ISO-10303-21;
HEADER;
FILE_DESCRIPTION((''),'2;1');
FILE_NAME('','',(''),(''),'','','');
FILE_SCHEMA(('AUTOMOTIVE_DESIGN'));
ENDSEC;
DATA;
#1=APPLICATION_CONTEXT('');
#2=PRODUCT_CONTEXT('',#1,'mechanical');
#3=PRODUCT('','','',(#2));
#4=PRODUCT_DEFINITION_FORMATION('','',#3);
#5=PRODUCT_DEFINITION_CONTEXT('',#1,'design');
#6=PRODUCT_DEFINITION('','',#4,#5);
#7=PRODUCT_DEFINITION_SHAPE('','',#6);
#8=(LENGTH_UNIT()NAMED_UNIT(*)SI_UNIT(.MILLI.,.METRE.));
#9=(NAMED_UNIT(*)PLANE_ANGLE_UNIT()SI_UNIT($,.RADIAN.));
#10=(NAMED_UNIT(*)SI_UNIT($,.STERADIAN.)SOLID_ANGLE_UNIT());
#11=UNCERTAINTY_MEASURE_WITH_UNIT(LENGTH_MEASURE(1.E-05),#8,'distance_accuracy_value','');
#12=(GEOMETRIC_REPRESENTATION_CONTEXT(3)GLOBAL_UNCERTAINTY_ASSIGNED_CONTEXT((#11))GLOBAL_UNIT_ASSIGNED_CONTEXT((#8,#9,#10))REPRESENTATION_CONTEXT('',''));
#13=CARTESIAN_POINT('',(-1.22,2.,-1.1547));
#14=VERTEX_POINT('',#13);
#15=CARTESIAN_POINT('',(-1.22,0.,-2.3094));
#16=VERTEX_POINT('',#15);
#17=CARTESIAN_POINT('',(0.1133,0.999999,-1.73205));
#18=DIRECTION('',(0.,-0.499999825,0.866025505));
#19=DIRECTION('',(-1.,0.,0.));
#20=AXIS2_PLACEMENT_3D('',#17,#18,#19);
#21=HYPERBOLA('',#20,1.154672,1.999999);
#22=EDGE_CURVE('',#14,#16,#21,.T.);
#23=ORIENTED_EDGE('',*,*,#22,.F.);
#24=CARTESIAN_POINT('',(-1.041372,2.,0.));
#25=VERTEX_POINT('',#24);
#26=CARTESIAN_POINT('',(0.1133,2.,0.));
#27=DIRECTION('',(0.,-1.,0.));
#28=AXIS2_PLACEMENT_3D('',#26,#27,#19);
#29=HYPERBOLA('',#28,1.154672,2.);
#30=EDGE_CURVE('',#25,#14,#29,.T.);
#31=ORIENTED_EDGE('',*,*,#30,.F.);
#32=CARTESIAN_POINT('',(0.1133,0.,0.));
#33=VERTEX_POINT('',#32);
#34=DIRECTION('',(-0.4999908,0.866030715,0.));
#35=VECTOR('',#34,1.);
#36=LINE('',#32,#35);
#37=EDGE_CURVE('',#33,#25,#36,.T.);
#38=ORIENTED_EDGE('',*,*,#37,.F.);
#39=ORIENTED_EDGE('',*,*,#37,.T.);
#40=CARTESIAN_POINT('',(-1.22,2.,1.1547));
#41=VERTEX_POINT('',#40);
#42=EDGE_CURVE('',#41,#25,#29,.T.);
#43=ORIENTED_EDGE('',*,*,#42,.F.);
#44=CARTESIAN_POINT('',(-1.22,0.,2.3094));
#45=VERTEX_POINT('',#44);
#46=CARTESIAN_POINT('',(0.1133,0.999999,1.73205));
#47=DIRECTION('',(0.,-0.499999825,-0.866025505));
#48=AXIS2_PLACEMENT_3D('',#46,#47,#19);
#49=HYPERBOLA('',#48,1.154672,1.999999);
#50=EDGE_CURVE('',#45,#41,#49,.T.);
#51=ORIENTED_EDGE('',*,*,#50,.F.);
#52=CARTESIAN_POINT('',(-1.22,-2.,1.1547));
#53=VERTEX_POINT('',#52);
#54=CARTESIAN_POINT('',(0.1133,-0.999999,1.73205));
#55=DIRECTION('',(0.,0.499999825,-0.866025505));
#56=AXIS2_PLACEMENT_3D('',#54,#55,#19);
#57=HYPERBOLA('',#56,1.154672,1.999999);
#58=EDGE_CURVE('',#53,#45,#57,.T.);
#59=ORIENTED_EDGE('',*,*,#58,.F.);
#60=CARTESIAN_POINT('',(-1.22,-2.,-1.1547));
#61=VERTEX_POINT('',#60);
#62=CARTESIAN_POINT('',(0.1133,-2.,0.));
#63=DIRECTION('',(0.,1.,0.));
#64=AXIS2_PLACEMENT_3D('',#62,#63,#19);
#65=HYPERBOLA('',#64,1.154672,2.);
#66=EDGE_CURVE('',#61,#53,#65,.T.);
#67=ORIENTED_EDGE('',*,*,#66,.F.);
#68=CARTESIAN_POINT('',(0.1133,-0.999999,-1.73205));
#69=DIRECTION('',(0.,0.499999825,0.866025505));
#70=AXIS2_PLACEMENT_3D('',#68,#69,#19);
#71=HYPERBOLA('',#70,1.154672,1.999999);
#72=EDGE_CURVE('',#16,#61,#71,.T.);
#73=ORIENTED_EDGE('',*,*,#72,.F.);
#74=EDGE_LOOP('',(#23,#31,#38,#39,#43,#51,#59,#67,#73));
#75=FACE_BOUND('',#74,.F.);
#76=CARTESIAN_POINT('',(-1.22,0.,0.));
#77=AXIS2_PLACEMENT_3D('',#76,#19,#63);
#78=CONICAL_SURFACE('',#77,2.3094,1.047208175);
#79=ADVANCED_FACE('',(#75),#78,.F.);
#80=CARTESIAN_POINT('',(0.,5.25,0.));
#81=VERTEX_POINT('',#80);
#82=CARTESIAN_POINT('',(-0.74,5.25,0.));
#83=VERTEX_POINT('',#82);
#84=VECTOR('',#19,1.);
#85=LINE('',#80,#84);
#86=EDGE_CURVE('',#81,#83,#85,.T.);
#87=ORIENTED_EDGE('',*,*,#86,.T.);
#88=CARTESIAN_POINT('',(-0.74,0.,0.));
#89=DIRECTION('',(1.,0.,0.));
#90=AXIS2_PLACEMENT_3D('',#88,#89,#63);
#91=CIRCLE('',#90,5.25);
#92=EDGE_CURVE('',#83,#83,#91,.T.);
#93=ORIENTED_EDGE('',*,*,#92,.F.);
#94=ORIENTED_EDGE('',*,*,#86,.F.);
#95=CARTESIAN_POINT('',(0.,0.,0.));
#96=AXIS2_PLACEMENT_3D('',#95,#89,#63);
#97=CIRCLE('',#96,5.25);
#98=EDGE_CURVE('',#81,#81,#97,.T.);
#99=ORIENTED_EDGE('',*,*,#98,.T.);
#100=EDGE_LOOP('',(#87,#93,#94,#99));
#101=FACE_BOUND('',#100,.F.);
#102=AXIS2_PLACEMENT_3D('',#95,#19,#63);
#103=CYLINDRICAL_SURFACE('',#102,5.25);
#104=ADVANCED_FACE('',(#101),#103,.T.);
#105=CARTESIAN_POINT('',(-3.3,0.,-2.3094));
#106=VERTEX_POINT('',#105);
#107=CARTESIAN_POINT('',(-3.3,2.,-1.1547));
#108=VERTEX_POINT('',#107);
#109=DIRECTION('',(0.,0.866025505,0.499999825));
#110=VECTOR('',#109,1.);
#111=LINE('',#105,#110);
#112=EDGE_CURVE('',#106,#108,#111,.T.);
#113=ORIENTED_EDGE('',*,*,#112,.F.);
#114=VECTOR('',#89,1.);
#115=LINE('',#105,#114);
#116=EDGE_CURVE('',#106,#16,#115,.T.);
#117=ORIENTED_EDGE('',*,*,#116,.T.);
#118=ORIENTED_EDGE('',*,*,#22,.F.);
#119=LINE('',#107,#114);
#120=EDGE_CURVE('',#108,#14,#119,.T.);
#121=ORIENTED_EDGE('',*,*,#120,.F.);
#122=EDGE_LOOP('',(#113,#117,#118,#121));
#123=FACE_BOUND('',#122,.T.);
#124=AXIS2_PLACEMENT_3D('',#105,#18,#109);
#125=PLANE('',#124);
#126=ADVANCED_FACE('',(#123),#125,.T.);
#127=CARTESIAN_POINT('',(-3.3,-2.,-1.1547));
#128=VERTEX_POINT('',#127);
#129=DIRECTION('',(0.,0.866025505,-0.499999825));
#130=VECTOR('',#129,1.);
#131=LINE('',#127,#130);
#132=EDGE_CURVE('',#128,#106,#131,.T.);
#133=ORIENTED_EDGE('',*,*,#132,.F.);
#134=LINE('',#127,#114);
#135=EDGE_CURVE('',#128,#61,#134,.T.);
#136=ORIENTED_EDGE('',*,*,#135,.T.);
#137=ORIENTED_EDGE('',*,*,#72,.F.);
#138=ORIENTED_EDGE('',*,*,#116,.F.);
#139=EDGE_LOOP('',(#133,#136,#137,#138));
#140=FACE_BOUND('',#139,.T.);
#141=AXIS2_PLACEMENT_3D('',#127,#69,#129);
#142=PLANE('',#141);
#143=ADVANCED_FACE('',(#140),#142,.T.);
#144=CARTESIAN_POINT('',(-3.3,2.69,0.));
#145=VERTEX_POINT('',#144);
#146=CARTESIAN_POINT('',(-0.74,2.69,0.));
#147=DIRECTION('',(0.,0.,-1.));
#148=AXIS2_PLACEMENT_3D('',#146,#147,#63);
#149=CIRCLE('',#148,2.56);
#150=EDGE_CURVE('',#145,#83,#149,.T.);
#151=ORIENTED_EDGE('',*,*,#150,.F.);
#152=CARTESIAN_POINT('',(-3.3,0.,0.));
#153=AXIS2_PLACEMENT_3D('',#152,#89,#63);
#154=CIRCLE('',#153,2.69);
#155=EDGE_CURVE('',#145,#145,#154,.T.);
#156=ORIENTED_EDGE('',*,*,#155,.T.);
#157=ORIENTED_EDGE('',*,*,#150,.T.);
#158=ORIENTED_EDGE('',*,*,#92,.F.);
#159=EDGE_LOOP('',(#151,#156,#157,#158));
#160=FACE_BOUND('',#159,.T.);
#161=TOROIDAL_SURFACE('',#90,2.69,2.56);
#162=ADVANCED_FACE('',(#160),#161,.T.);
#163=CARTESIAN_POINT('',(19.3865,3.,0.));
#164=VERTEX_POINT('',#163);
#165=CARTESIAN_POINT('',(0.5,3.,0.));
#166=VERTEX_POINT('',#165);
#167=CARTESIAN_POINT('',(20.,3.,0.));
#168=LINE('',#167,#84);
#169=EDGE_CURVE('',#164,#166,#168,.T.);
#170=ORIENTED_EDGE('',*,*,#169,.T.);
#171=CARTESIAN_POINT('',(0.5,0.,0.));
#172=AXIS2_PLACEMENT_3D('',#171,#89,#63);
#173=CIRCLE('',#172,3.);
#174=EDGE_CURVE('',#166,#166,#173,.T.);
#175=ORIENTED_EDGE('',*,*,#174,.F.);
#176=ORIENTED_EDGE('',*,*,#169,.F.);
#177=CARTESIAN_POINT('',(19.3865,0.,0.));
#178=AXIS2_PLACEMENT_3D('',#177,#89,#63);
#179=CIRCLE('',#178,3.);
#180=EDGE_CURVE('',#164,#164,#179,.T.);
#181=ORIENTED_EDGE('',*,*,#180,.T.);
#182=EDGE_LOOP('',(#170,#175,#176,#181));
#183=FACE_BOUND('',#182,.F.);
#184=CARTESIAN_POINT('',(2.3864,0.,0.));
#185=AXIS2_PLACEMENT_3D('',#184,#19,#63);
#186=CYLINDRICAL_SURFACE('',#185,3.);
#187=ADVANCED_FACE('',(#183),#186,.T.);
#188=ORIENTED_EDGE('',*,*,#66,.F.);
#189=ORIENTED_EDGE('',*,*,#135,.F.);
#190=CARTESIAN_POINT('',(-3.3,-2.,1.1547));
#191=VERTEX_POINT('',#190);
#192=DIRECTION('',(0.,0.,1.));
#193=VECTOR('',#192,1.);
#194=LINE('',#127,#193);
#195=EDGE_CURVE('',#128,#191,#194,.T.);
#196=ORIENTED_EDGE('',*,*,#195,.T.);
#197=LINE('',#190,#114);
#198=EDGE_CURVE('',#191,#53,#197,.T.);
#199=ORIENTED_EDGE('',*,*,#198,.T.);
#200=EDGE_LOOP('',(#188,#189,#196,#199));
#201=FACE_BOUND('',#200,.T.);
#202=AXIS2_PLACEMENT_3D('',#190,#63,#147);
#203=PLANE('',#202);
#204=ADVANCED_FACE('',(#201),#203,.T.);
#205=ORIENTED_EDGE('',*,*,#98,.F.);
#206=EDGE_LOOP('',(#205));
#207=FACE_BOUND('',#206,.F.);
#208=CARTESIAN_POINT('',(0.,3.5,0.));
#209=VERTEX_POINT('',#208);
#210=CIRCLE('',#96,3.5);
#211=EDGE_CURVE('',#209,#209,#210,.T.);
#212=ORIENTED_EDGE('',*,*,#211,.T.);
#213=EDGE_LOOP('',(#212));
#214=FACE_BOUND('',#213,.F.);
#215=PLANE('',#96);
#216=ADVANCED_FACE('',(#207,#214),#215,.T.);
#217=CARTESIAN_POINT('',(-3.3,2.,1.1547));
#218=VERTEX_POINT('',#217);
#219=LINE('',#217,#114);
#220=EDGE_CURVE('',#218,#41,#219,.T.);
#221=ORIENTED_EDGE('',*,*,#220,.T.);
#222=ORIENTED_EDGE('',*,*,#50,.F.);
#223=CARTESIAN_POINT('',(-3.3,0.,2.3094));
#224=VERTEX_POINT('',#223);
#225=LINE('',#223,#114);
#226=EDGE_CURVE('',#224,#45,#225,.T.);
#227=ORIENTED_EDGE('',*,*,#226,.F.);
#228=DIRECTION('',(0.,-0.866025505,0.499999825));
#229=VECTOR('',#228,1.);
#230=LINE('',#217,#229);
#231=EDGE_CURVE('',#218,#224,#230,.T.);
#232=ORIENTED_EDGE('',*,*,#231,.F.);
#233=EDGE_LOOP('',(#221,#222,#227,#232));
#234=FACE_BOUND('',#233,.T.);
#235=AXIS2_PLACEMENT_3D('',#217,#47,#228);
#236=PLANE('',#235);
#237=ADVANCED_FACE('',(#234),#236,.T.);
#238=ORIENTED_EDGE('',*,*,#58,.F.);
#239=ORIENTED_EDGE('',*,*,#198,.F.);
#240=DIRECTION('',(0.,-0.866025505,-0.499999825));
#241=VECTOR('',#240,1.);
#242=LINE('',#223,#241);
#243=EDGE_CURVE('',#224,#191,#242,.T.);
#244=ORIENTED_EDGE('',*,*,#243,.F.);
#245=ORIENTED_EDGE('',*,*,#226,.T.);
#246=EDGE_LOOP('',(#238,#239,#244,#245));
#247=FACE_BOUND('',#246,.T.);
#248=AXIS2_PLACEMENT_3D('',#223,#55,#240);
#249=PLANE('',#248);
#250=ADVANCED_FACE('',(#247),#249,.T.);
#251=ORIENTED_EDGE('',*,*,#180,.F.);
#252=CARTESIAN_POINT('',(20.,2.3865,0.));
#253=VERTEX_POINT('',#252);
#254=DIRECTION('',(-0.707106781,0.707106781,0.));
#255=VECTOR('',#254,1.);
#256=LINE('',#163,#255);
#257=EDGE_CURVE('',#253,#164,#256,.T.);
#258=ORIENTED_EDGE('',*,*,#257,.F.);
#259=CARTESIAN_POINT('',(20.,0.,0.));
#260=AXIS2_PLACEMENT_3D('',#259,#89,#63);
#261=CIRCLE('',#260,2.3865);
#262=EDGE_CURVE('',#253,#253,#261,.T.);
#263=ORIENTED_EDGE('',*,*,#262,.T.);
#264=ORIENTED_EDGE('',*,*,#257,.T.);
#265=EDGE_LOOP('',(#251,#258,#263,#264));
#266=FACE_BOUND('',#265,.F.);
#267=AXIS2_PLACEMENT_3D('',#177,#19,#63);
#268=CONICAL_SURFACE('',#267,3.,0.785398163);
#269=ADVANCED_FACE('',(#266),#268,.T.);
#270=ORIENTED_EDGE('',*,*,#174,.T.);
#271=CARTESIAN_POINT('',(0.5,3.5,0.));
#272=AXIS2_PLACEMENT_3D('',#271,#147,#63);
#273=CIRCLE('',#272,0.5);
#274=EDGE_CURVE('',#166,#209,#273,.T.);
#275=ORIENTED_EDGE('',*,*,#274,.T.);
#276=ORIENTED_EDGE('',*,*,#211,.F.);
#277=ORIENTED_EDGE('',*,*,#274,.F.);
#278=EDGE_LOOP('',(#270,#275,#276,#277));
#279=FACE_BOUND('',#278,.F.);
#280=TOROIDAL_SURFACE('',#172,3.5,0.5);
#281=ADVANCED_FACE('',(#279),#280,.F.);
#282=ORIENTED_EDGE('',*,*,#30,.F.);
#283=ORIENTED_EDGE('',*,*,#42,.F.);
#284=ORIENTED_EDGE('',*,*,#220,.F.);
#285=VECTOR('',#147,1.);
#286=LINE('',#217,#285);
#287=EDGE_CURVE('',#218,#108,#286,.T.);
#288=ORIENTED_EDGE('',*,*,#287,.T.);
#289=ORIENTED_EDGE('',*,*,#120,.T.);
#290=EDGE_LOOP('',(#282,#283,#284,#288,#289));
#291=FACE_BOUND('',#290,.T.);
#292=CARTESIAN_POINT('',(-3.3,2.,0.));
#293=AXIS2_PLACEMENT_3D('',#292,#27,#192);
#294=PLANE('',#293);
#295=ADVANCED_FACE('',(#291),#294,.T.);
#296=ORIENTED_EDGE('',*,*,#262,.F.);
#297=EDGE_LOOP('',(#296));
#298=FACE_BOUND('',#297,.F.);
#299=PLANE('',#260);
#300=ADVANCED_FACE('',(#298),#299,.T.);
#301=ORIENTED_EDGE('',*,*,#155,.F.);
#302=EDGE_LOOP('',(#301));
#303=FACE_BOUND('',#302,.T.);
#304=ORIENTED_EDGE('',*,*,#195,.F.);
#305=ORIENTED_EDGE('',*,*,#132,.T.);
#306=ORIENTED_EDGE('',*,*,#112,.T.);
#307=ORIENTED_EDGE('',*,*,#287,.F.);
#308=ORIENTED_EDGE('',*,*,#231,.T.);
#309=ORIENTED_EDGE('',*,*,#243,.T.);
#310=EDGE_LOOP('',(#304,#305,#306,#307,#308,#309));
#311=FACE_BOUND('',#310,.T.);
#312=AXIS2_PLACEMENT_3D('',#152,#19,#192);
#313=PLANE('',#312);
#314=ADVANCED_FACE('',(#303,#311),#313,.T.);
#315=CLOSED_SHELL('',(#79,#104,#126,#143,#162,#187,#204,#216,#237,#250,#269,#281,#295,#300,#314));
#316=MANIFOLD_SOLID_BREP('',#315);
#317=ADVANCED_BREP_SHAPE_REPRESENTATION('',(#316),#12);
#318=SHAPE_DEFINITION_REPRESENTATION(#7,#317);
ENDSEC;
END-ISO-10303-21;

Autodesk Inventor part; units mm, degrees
ref_plane "YZ Plane" through (0, 0, 0) normal (1, 0, 0) x (0, 1, 0)
ref_plane "XZ Plane" through (0, 0, 0) normal (0, 1, 0) x (-1, 0, 0)
sketch "Sketch1" plane through (0, 0, 0) normal (0, 0, 1) x (1, 0, 0)
  line L0 (0.1133, 0) -> (20, 0)
  line L1 (20, 0) -> (20, 3)
  line L2 (20, 3) -> (3, 3)
  line L3 (3, 3) -> (2.3864, 3)
  line L4 (2.3864, 3) -> (0, 3)
  line L5 (0, 3) -> (0, 5.25)
  line L6 (0, 5.25) -> (-3.3, 5.25)
  line L7 (-3.3, 5.25) -> (-3.3, 2.3094)
  line L8 (-3.3, 2.3094) -> (-1.22, 2.3094)
  line L9 (-1.22, 2.3094) -> (0.1133, 0)
  line L10 (-7.96, 0) -> (24.66, 0) projected
  line L11 (0, -1.05) -> (0, 6.3) projected
  line L12 (3, 3) -> (0, 3) construction
  dimension "d1" = 17
  dimension "d2" = 0.6136
  dimension "d3" = 3.3
  dimension "d4" = 2.08
  dimension "d5" = 60
  dimension "d6" = 6
  dimension "d7" = 6
  dimension "d8" = 4.6188
  dimension "d9" = 10.5
  dimension "d26" = 20
revolve "Body" add sketch "Sketch1" angle 360 about axis through (0.1133, 0, 0) along (1, 0, 0) contours L9 L11 L4 L3 L2 L1 L0 | L9 L8 L7 L6 L5 L11
sketch "Sketch2" plane through (-3.3, 0, 0) normal (-1, 0, 0) x (0, 0, 1)
  circle A0 centre (0, 0) radius 2.3094 projected
  line L0 (0, -7.35) -> (0, 7.35) projected
  line L1 (-7.35, 0) -> (7.35, 0) projected
  line L2 (2.3094, 0) -> (1.1547, -2)
  line L3 (1.1547, -2) -> (-1.1547, -2)
  line L4 (-1.1547, -2) -> (-2.3094, 0)
  line L5 (-2.3094, 0) -> (-1.1547, 2)
  line L6 (-1.1547, 2) -> (1.1547, 2)
  line L7 (1.1547, 2) -> (2.3094, 0)
extrude "Slot" add sketch "Sketch2" against normal up to next contours L7 A0 | A0 L2 | L6 L0 A0 | A0 L0 L3 | L0 L6 A0 | A0 L3 L0 | L4 A0 | A0 L5
fillet "Fillet1" radius 2.56 1 edges at (-3.3, -5.25, 0)
thread "Thread" size "M6x1" class "6g" standard "ISO Metric profile" length 17
chamfer "Chamfer1" distance 0.6135 distance2 0.6135 1 edges at (20, -3, 0) measured on face at (20, 1.0659, 1.0214)
ref_plane "Work Plane1" through (29, 0, 0) normal (0, -1, 0) x (1, 0, 0)
fillet "Fillet2" radius 0.5 1 edges at (0, -3, 0)
equation "\"d1\" = GEL"
equation "\"d3\" = KOH"
equation "\"d4\" = INTI"
equation "\"d6\" = GD"
equation "\"d7\" = BDM"
equation "\"d8\" = 1.1547 * SW"
equation "\"d9\" = KOD"
equation "\"d26\" = NLG"
equation "\"d30\" = R"
equation "\"d17\" = RR"
equation "\"d13\" = GEL"
equation "\"d15\" = -0.5 * SPD + 0.5 * GD"
equation "\"d16\" = GUL"
equation "\"GD\" = NND"
equation "\"NLG\" = 20"
equation "\"GEL\" = 17"
equation "\"KOD\" = 10.5"
equation "\"KOH\" = 3.3"
equation "\"INTI\" = 2.08"
equation "\"GAL\" = 0.61345 * PTC"
equation "\"GUL\" = 0.61345 * PTC"
equation "\"BDM\" = NND"
equation "\"SW\" = 4"
equation "\"RR\" = 2.56"
equation "\"SPD\" = NND - 1.2269 * PTC"
equation "\"R\" = 0.5"
equation "\"TOA\" = 30deg"
equation "\"GD1\" = THREADDIA - 1.2269 * PTC"
equation "\"THREADDIA\" = 6"
equation "\"PTC\" = 1"
equation "\"NND\" = 6"
equation "\"KOH1\" = 0.74"
equation "\"E0\" = 4.583"
properties part number "ISO 7380-1 - M6 x 20" material "Steel"
